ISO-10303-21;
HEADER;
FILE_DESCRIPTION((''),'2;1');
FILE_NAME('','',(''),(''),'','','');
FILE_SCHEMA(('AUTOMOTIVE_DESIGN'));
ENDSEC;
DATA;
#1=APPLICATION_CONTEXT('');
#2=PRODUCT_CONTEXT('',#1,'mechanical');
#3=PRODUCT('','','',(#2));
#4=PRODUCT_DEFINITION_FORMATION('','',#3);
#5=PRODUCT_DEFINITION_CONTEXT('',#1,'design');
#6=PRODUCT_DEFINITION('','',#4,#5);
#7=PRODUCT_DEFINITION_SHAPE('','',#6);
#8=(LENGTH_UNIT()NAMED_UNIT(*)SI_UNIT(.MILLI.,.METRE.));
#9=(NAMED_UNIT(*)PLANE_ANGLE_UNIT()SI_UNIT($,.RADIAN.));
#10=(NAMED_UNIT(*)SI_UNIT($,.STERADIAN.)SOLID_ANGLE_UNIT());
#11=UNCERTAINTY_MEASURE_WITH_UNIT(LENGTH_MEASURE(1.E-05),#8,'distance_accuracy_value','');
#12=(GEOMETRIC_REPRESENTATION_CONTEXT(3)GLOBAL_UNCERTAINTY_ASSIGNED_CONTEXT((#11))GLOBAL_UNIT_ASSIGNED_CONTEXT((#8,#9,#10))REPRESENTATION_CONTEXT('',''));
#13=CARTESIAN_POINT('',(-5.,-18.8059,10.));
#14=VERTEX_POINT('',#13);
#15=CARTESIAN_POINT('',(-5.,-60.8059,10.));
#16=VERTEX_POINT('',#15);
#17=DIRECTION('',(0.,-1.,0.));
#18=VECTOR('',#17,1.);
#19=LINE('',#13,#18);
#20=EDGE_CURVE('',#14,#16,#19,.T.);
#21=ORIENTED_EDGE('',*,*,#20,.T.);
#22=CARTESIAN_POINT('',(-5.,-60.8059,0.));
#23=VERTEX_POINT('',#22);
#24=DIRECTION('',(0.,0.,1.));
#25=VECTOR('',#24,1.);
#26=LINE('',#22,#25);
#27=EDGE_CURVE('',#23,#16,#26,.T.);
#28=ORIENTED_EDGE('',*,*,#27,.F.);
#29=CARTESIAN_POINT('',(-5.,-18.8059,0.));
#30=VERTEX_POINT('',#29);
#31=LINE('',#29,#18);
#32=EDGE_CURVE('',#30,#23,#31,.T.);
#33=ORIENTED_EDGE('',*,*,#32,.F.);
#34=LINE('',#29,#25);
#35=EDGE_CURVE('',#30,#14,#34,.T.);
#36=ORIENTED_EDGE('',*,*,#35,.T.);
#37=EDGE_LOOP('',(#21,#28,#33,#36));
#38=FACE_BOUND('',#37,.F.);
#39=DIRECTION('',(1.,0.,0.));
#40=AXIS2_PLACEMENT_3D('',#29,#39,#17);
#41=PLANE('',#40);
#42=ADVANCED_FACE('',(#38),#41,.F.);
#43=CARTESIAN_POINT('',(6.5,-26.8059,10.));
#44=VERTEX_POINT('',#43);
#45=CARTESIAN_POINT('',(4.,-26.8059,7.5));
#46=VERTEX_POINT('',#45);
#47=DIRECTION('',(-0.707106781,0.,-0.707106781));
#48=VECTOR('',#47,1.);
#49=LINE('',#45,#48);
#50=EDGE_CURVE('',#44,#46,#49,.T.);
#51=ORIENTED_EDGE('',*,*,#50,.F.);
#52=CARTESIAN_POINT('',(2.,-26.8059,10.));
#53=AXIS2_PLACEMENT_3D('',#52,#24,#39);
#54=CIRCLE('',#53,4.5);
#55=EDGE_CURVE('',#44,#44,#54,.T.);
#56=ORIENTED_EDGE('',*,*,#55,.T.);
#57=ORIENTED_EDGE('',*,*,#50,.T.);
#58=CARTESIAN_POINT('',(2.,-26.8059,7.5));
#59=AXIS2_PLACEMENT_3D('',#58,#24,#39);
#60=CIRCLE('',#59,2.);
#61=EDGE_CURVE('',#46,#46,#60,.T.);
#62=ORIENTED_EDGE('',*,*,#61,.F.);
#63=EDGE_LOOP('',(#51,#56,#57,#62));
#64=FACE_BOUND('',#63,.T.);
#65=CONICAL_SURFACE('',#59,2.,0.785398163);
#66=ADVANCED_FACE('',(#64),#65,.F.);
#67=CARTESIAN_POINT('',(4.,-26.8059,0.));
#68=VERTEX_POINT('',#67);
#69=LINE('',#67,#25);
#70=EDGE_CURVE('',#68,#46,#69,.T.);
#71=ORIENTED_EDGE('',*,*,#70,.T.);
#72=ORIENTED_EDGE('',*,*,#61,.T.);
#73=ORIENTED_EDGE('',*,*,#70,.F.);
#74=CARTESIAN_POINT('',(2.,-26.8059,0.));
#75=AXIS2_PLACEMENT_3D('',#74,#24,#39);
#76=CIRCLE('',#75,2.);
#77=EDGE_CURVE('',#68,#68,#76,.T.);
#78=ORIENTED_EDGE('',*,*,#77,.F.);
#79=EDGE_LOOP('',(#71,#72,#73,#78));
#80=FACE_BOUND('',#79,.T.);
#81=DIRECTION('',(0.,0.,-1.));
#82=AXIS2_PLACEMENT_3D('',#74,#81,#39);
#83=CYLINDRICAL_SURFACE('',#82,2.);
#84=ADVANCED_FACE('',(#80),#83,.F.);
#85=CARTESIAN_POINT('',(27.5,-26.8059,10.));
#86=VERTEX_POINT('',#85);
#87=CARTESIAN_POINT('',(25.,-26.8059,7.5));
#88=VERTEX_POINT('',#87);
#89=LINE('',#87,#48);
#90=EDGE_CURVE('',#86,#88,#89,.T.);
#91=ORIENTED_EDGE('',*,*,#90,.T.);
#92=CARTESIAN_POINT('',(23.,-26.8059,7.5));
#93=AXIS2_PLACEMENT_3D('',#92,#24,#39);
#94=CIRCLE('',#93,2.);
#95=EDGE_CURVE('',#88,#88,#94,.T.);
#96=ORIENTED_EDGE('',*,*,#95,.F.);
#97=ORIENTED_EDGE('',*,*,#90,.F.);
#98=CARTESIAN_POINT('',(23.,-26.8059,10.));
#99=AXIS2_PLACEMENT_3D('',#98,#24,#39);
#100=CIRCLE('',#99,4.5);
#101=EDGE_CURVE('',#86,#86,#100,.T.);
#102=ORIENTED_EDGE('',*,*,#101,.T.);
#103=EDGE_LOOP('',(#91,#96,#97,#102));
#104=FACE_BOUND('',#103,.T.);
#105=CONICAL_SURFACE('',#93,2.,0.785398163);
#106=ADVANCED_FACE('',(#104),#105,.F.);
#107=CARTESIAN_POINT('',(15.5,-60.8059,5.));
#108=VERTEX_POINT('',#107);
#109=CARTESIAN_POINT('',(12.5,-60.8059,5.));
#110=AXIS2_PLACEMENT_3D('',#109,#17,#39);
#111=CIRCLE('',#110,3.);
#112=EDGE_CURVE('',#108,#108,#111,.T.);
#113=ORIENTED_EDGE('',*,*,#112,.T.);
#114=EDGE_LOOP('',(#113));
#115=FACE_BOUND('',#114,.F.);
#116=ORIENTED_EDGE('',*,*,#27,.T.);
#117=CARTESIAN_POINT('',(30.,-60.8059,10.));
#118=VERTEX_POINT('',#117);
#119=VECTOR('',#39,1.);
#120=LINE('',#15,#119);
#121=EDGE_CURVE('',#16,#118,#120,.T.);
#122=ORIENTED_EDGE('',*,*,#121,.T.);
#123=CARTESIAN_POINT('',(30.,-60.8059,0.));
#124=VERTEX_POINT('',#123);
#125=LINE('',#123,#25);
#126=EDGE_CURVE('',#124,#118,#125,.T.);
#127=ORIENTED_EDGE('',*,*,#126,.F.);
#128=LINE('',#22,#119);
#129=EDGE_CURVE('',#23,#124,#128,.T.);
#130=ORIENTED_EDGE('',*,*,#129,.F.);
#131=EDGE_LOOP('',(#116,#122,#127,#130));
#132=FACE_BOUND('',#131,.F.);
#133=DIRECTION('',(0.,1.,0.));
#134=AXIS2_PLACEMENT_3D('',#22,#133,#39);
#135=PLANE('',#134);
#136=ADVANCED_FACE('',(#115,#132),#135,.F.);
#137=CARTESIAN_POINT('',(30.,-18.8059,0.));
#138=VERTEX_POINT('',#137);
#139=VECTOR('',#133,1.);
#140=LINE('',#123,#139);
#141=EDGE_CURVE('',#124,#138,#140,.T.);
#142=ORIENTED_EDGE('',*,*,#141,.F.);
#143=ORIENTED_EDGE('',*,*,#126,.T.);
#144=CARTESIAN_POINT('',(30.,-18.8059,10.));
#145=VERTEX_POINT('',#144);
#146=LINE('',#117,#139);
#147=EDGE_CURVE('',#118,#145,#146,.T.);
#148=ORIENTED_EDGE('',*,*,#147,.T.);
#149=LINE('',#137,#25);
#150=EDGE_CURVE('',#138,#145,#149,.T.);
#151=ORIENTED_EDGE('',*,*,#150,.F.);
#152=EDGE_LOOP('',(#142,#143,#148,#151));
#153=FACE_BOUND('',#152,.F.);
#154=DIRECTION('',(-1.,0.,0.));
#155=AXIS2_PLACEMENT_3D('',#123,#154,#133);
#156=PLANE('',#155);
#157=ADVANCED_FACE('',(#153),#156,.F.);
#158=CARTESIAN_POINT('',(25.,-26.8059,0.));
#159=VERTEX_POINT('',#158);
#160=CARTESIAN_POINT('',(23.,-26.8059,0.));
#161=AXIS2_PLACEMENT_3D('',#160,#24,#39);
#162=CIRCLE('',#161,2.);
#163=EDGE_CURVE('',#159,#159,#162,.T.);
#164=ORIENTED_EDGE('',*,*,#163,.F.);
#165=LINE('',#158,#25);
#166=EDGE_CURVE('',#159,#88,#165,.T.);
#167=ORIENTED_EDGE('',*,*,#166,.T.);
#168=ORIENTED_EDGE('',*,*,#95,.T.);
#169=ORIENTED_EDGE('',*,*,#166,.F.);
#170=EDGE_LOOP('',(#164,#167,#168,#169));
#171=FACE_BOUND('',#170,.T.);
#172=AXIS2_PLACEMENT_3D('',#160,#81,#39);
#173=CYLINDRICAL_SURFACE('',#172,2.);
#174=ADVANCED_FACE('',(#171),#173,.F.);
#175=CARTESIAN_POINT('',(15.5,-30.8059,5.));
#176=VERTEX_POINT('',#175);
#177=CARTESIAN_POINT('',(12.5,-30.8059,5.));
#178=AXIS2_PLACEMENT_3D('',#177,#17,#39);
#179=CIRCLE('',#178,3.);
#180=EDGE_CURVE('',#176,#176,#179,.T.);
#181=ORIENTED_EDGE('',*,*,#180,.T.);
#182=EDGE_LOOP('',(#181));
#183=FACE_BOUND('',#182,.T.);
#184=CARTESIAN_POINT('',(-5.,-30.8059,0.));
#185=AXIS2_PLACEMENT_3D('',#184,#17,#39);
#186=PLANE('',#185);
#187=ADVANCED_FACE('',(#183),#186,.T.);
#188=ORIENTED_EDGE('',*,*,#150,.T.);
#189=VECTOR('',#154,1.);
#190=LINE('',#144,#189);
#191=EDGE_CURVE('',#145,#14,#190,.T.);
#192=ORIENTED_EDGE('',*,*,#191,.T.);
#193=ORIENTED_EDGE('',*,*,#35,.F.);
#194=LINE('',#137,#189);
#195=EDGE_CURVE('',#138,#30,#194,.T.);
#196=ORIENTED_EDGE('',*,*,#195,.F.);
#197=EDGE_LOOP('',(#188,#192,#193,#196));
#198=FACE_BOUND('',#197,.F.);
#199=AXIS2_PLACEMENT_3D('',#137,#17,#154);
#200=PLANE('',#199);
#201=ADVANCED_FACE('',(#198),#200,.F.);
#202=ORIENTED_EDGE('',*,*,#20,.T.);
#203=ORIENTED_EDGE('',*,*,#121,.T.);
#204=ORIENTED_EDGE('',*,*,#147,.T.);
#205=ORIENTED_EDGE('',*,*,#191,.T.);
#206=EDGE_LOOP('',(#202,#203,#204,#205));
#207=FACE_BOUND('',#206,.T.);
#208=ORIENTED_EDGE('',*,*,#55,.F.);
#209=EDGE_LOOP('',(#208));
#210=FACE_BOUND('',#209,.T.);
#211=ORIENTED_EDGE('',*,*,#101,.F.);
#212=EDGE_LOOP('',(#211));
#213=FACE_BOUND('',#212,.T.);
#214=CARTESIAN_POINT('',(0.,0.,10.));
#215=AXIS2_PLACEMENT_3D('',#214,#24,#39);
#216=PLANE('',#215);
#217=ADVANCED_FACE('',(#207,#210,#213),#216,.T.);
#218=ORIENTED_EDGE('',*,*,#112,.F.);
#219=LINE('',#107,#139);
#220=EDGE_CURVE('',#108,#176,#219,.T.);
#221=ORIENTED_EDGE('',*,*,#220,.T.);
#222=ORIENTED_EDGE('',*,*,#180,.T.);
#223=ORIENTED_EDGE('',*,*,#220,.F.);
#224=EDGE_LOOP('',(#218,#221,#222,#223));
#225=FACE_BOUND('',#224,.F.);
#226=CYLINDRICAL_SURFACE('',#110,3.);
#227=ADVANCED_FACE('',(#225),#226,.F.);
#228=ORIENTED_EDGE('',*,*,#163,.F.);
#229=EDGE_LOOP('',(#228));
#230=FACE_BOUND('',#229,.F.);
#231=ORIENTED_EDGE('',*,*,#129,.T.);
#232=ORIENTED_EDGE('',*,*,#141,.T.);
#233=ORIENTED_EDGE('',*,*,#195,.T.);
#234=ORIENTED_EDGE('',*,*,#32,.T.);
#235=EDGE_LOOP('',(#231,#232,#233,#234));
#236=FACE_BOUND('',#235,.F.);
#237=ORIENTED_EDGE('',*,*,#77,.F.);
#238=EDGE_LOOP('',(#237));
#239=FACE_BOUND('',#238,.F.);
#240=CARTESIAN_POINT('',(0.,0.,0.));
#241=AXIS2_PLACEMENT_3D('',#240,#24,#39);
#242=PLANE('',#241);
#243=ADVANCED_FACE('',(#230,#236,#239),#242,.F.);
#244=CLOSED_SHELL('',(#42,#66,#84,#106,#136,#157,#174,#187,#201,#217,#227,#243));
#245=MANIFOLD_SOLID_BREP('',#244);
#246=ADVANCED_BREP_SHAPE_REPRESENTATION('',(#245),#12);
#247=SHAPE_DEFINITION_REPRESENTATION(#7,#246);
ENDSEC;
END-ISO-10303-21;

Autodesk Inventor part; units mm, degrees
ref_plane "YZ Plane" through (0, 0, 0) normal (1, 0, 0) x (0, 1, 0)
ref_plane "XZ Plane" through (0, 0, 0) normal (0, 1, 0) x (-1, 0, 0)
ref_plane "XY Plane" through (0, 0, 0) normal (0, 0, 1) x (1, 0, 0)
sketch "Sketch1" plane through (0, 0, 0) normal (0, 0, 1) x (1, 0, 0)
  line L0 (-5, -18.8059) -> (-5, -60.8059)
  line L1 (-5, -60.8059) -> (30, -60.8059)
  line L2 (30, -60.8059) -> (30, -18.8059)
  circle A0 centre (2, -26.8059) radius 2
  circle A1 centre (23, -26.8059) radius 2
  circle A2 centre (2, -26.8059) radius 4
  circle A3 centre (23, -26.8059) radius 4
  line L3 (30, -18.8059) -> (-5, -18.8059)
  point P0 (0, -10)
  dimension "d17" = 35
  dimension "d19" = 4
  dimension "d20" = 4
  dimension "d22" = 8
  dimension "d23" = 8
  dimension "d29" = 7
  dimension "d60" = 42
  dimension "d61" = 8
  dimension "d62" = 8
  dimension "d63" = 21
extrude "Extrusion2" add sketch "Sketch1" along normal blind 10 contours L3 L2 L1 L0 | A2 | A3
sketch "Sketch4" plane through (-5, -60.8059, 0) normal (0, -1, 0) x (1, 0, 0)
  circle A0 centre (17.5, 5) radius 3
  line L0 (35, 0) -> (35, 10) projected
  line L1 (0, 10) -> (35, 10) projected
  dimension "d48" = 6
  dimension "d49" = 17.5
  dimension "d50" = 5
extrude "Extrusion5" cut sketch "Sketch4" against normal blind 30
thread "Thread2" size "M6x1" class "6H" standard "ANSI Metric M Profile" length 25
chamfer "Chaflán1" distance 2.5 angle 45 2 edges at (0, -26.8059, 10) (21, -26.8059, 10)
equation "\"d61\" = d62"
properties part number "Soporte para Patas Regulables" material "Aluminum 6061"
